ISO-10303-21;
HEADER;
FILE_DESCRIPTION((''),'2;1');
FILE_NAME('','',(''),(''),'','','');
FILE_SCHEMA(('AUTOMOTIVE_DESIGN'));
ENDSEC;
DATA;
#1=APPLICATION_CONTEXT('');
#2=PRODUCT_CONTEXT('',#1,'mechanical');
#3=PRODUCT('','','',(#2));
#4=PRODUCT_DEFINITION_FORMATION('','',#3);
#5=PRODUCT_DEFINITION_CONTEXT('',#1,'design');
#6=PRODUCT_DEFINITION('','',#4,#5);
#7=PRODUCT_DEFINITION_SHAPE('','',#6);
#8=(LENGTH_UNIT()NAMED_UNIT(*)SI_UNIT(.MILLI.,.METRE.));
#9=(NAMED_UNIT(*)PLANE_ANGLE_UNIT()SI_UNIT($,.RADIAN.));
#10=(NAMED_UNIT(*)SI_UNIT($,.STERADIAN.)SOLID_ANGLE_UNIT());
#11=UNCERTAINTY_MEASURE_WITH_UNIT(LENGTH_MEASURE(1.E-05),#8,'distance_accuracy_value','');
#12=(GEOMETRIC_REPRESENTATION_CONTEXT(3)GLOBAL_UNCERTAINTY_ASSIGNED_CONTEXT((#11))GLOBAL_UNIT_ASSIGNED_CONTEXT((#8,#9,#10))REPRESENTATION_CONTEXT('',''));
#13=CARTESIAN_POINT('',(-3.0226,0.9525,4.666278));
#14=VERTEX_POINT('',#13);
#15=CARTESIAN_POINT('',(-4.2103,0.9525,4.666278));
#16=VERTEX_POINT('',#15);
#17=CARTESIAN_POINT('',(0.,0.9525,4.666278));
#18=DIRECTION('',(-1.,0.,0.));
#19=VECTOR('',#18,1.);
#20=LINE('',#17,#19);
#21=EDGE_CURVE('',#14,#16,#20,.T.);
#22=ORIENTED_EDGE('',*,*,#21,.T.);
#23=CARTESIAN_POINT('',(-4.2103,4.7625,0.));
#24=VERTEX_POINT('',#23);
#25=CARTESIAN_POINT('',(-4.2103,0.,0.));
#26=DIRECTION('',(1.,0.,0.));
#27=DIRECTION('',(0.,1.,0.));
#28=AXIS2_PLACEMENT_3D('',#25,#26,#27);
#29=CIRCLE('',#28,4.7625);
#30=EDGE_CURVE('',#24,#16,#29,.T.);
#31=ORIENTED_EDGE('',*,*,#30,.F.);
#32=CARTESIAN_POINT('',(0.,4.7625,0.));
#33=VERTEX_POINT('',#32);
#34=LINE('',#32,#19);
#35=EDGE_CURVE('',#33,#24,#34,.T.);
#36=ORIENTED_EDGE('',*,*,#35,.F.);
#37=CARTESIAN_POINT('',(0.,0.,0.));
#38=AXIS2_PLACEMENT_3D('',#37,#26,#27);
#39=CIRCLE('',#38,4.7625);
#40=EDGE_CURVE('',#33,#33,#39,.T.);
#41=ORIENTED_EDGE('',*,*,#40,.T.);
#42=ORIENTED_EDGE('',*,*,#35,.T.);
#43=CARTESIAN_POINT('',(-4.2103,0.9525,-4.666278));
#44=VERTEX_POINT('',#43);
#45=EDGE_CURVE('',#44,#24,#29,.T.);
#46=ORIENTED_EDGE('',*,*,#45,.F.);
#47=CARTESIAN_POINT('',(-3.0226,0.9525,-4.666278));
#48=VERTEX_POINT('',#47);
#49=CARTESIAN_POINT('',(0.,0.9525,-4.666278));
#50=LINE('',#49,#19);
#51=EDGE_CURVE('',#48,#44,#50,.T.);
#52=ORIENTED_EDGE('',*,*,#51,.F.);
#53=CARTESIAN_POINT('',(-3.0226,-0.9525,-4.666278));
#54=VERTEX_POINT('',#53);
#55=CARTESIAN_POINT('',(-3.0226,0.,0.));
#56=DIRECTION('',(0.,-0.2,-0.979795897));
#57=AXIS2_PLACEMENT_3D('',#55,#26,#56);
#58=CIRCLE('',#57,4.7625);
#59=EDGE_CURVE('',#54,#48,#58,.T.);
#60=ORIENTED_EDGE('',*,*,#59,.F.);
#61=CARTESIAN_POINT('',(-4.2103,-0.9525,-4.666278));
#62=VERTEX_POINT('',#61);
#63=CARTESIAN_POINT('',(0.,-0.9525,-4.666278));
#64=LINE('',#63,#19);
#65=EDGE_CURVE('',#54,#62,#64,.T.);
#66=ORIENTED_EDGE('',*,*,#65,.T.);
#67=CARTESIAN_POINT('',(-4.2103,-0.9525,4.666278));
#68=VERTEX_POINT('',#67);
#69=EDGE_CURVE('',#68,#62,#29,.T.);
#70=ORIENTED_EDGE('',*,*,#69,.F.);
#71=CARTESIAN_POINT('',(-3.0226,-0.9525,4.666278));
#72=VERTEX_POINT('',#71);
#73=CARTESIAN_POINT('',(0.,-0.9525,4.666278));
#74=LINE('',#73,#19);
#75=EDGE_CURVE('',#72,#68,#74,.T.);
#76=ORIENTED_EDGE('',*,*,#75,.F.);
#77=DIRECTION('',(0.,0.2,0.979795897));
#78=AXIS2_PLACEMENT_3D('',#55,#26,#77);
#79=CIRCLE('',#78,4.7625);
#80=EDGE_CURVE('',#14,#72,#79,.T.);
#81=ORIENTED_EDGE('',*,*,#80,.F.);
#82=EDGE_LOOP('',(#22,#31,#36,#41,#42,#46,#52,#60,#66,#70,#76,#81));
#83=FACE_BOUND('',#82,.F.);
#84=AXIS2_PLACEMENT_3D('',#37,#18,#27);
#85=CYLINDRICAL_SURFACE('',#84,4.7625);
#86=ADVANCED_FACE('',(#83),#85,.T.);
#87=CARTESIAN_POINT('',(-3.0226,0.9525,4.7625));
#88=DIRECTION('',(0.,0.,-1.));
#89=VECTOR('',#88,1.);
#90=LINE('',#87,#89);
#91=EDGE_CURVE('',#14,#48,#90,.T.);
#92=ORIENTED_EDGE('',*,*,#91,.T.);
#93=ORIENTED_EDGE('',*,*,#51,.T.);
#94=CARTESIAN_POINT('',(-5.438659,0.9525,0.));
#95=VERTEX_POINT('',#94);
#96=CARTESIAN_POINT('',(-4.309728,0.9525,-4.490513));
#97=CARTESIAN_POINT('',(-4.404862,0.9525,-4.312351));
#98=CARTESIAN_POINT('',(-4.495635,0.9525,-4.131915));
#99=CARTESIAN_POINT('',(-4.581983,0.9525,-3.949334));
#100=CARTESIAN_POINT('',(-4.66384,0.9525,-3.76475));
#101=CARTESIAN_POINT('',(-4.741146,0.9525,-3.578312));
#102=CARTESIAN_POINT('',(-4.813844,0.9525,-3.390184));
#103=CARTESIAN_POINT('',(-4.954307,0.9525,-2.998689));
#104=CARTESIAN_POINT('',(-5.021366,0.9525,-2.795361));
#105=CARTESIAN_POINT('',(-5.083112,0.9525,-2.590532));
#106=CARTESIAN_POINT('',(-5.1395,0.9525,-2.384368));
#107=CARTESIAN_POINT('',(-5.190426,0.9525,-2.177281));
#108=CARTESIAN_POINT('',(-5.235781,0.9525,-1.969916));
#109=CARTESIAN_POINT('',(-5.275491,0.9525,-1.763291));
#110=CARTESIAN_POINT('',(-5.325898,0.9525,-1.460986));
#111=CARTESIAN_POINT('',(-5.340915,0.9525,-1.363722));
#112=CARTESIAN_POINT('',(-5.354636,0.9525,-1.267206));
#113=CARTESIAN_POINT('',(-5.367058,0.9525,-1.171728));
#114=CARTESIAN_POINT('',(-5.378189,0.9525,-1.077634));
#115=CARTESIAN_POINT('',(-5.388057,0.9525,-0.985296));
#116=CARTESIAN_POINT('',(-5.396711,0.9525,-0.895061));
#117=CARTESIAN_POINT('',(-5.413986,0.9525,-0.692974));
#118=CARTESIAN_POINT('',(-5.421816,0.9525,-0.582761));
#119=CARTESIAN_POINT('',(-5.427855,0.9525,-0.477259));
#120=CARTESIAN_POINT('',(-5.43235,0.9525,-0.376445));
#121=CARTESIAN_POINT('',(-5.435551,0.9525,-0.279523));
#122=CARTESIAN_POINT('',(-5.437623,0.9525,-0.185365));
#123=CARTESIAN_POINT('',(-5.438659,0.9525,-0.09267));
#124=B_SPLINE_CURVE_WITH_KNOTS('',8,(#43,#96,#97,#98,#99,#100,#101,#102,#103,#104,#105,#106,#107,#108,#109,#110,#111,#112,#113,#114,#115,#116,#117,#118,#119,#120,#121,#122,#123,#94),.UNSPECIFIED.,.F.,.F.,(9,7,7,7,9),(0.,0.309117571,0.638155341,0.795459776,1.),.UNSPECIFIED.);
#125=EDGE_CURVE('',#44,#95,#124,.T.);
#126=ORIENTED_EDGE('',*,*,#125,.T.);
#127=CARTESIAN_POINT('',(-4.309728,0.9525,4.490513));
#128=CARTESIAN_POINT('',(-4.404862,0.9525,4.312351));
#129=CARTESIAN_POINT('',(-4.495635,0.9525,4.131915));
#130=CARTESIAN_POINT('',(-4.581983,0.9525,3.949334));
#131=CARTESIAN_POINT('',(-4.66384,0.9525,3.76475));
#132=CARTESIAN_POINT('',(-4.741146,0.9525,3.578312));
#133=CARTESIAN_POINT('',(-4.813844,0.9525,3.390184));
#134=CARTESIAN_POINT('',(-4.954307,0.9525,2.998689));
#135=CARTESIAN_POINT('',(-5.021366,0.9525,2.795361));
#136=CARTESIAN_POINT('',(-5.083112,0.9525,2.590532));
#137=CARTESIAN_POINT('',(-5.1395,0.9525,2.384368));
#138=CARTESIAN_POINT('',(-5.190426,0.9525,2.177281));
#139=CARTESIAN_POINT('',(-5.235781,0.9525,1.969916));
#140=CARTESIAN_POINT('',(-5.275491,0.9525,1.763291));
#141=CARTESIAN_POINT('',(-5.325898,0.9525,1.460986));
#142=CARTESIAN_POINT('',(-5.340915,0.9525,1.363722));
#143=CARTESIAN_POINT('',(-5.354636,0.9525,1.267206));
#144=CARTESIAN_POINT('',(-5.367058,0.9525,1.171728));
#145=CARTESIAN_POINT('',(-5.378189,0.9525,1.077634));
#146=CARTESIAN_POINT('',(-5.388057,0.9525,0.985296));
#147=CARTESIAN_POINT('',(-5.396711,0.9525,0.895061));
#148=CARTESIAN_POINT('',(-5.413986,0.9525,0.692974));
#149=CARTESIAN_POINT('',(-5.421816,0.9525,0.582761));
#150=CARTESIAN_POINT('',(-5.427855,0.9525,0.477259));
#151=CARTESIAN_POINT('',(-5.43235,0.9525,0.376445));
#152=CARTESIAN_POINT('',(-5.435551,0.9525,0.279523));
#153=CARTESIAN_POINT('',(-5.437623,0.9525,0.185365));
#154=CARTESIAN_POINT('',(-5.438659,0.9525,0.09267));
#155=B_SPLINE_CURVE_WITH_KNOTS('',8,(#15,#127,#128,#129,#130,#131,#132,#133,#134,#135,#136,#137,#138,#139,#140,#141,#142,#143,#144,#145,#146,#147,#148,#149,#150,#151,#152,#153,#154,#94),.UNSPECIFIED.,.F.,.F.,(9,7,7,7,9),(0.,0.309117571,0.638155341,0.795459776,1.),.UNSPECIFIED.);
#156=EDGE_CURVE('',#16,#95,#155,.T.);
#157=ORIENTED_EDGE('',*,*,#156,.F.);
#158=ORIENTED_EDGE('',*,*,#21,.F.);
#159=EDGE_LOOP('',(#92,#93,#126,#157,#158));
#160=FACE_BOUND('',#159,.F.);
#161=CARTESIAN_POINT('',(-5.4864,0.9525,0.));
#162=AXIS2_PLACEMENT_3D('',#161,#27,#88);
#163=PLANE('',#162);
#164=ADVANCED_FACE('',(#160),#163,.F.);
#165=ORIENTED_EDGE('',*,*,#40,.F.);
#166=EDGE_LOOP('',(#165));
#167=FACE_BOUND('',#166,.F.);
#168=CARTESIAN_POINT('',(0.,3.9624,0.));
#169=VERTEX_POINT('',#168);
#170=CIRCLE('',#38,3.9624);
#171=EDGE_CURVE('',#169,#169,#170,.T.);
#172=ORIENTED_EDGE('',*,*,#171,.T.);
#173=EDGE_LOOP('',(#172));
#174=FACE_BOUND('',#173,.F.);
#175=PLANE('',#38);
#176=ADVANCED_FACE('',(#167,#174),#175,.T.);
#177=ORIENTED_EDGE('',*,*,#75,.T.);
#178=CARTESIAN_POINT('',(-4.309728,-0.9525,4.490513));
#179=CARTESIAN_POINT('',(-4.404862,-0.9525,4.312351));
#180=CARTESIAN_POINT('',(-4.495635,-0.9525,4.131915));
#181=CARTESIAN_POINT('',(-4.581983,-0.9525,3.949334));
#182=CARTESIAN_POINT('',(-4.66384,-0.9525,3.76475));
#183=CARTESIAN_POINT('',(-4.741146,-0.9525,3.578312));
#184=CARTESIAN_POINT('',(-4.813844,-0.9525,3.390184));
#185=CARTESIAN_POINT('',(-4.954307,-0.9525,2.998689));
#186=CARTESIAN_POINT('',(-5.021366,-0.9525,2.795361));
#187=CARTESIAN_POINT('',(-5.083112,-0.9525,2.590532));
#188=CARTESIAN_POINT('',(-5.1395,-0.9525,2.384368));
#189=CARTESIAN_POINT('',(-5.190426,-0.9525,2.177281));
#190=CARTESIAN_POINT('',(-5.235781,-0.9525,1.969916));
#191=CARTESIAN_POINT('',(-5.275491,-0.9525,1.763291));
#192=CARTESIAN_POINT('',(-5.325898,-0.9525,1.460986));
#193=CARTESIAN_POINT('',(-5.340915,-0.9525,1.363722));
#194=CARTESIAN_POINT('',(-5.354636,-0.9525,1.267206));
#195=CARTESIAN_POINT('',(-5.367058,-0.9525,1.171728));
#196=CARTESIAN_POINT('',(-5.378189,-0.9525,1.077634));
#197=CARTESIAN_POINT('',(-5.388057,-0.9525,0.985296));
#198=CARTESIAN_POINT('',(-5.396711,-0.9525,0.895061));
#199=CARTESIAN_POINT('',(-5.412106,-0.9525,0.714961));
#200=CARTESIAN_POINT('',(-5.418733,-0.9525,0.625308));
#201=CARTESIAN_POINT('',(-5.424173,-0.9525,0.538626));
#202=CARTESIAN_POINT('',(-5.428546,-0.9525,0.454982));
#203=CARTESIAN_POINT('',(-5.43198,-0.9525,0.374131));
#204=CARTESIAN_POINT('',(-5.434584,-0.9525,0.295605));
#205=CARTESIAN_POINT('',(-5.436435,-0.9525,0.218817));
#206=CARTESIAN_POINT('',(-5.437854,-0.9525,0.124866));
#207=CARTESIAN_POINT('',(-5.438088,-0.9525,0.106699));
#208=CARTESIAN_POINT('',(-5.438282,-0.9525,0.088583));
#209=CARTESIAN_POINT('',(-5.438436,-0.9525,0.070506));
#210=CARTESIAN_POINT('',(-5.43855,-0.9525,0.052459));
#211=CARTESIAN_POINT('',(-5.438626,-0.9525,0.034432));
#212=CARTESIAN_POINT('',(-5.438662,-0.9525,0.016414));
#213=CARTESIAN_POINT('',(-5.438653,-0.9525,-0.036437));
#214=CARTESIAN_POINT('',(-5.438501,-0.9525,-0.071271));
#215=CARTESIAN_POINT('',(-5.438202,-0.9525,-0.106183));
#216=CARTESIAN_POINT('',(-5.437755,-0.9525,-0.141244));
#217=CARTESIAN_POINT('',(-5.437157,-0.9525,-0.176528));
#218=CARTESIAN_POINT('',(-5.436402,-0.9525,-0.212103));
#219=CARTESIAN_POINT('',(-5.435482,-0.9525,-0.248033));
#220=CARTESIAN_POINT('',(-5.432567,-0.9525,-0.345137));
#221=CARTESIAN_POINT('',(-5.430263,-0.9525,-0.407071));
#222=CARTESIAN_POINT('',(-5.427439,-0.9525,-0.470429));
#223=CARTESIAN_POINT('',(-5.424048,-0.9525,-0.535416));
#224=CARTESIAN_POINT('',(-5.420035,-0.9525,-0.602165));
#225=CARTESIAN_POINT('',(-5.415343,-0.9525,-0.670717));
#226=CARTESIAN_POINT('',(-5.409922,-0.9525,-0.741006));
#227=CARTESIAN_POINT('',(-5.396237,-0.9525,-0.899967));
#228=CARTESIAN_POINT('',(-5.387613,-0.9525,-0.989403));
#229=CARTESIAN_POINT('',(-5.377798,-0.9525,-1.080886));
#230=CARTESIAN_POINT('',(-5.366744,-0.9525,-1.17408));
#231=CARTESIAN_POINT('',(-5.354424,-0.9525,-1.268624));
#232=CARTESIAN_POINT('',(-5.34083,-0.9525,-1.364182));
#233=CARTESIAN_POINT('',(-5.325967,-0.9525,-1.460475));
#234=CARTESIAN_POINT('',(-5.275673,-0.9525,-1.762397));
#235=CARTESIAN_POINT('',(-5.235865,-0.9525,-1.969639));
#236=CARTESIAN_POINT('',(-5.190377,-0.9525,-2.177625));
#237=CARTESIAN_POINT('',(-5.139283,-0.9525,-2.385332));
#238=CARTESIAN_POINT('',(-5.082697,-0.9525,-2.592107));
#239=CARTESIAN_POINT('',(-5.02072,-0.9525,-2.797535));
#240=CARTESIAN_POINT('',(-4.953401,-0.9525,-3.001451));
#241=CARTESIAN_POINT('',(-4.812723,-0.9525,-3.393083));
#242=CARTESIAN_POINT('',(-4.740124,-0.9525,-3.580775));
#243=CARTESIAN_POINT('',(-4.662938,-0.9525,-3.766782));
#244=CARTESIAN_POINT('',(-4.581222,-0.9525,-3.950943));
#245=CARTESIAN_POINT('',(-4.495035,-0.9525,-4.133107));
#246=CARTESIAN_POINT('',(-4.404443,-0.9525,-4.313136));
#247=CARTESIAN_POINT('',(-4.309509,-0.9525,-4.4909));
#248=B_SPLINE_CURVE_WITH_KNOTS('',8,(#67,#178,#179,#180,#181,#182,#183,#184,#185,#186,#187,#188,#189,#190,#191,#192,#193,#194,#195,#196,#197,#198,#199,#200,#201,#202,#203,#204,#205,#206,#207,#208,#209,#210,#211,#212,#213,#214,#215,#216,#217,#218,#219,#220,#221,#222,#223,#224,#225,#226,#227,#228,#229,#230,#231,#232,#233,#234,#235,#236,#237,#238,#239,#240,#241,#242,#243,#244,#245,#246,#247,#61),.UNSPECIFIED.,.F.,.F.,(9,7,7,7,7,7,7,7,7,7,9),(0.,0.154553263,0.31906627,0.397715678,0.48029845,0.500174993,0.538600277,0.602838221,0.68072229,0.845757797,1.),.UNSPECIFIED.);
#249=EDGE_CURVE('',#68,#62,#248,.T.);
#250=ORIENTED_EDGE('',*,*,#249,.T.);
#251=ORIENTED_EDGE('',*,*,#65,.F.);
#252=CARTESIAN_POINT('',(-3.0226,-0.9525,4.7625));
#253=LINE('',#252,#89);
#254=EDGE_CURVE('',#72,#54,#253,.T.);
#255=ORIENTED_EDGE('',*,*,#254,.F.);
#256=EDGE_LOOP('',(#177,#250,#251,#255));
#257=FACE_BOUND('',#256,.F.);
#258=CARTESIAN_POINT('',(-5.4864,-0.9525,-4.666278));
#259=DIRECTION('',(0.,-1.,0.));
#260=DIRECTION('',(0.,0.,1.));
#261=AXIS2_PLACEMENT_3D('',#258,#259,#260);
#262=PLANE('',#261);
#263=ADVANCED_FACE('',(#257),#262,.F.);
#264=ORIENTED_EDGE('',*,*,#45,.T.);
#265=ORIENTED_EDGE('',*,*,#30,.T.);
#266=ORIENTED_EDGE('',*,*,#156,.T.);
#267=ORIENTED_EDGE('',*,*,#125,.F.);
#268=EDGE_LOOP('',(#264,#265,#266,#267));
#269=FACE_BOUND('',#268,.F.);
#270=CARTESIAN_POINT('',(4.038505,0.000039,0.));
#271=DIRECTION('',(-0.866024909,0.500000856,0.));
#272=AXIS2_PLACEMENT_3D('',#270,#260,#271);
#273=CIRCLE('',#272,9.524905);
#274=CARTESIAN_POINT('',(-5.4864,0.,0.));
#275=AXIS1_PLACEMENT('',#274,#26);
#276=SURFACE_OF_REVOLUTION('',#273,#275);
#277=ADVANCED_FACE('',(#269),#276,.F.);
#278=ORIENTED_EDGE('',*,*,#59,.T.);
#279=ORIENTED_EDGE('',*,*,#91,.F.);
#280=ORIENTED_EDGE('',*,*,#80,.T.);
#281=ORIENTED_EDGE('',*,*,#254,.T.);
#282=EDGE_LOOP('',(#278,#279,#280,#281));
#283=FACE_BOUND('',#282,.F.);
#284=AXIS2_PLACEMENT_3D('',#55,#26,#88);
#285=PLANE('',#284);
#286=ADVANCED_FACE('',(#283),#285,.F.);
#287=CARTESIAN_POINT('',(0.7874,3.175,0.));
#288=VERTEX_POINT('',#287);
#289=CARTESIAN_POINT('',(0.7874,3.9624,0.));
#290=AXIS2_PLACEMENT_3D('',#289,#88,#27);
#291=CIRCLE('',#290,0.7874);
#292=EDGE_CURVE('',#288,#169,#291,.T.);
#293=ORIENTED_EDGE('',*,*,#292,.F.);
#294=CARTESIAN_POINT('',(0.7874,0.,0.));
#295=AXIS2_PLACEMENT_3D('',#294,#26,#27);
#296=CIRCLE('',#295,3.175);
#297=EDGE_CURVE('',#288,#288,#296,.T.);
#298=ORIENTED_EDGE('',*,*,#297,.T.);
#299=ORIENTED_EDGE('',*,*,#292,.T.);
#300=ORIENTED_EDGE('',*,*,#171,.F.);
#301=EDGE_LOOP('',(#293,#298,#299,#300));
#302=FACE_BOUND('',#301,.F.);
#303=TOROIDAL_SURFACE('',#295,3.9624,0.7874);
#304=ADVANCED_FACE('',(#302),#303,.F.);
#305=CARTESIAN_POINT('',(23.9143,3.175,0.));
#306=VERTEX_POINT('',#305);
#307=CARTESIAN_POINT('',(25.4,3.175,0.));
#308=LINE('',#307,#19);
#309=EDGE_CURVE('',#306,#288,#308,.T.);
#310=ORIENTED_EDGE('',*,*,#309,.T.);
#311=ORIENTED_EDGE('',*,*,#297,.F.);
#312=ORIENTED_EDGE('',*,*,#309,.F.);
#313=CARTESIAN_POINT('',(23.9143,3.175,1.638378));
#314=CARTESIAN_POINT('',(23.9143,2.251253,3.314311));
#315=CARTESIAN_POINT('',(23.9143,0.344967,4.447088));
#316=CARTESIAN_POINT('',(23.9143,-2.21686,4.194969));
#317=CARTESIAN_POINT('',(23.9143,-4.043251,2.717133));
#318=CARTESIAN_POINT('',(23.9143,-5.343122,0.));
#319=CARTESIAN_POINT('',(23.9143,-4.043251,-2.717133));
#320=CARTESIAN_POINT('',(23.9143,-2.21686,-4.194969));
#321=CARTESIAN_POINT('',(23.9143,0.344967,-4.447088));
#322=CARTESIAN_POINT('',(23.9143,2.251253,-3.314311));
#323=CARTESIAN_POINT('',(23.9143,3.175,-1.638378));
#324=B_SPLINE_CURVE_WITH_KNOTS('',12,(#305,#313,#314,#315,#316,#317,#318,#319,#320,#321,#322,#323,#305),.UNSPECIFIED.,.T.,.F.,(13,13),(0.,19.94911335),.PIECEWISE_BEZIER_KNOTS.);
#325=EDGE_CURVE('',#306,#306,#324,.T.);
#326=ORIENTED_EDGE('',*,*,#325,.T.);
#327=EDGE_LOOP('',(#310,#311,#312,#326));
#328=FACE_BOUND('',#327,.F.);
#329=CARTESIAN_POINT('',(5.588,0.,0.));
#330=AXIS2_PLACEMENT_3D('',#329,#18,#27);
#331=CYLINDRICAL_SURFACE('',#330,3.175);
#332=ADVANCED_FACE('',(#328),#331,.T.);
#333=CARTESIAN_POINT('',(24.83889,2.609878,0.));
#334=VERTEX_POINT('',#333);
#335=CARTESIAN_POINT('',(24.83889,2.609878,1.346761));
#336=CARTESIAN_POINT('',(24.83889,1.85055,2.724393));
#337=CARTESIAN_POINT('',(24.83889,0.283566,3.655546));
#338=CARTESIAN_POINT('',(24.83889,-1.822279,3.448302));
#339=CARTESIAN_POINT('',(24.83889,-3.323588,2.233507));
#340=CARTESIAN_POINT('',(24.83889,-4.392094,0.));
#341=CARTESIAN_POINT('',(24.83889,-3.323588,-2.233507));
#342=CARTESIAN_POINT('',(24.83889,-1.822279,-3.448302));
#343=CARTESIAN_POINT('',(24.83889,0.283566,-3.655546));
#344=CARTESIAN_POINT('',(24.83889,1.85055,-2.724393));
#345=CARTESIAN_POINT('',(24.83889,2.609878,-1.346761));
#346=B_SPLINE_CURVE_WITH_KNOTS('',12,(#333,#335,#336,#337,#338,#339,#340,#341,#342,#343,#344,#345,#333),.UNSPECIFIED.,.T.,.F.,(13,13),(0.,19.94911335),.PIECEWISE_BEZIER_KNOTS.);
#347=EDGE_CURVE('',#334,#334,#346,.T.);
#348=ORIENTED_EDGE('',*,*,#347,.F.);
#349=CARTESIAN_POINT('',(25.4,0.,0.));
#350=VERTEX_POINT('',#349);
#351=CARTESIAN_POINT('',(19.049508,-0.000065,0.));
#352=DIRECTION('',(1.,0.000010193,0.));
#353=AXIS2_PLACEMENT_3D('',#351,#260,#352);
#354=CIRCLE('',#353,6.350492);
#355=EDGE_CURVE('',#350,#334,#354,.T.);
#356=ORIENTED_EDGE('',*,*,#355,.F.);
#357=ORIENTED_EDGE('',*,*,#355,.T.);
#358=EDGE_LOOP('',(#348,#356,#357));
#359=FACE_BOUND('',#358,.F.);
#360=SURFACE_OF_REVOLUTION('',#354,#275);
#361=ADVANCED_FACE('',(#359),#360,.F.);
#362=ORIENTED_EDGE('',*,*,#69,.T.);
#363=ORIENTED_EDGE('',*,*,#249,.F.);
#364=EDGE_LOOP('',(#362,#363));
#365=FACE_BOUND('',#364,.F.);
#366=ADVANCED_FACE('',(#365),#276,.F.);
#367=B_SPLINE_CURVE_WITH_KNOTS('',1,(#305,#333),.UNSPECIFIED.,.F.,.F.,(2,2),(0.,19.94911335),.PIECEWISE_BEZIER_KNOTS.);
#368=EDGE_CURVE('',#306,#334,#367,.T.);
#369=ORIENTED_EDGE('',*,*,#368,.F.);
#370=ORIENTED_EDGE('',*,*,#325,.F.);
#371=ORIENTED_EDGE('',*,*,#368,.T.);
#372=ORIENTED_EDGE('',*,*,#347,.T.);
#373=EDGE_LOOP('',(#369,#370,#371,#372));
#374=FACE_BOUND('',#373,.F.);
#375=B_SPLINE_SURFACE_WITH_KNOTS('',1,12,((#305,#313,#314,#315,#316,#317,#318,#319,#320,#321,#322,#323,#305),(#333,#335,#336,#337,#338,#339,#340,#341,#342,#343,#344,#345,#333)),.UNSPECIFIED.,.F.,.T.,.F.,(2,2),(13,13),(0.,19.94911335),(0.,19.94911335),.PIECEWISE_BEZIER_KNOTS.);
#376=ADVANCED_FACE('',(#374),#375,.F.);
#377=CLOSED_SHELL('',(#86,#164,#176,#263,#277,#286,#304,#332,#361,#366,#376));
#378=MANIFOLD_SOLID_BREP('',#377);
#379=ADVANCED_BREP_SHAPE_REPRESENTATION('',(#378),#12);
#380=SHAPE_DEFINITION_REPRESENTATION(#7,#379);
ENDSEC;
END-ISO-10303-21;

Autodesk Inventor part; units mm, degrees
ref_plane "YZ Plane" through (0, 0, 0) normal (1, 0, 0) x (0, 1, 0)
sketch "Szkic1" plane through (0, 0, 0) normal (0, 0, 1) x (1, 0, 0)
  line L0 (-5.4864, 0) -> (25.4, 0)
  line L1 (25.4, 0) -> (25.4, 3.175)
  line L2 (25.4, 3.175) -> (6.35, 3.175)
  line L3 (6.35, 3.175) -> (5.588, 3.175)
  line L4 (5.588, 3.175) -> (0, 3.175)
  line L5 (0, 3.175) -> (0, 4.7625)
  line L6 (-12.0399, 0) -> (31.64, 0) projected
  line L7 (0, -0.9693) -> (0, 5.8158) projected
  line L8 (0, 4.7625) -> (-4.2103, 4.7625)
  arc A0 (-4.2103, 4.7625) -> (-5.4864, 0) centre (4.0386, 0) ccw
  line L9 (6.35, 3.175) -> (0, 3.175) construction
  dimension "d0" = 25.4
  dimension "d1" = 19.05
  dimension "d2" = 0.762
  dimension "d3" = 5.4864
  dimension "d4" = 6.35
  dimension "d5" = 6.35
  dimension "d9" = 9.525
  dimension "d10" = 0
  dimension "d13" = 9.525
revolve "Bryła" add sketch "Szkic1" angle 360 about axis through (-5.4864, 0, 0) along (1, 0, 0)
ref_plane "IDS_WORKPLANE{1}" through (-5.4864, 0, 0) normal (1, 0, 0) x (0, 0, -1)
sketch "Szkic2" plane through (-5.4864, 0, 0) normal (1, 0, 0) x (0, 0, -1)
  circle A0 centre (0, 0) radius 4.7625 projected
  line L0 (0, -6.6675) -> (0, 6.6675) projected
  line L1 (6.6675, 0) -> (-6.6675, 0) projected
  line L2 (-4.7625, 0.9525) -> (4.7625, 0.9525)
  line L3 (4.7625, 0.9525) -> (4.7625, -0.9525)
  line L4 (4.7625, -0.9525) -> (-4.7625, -0.9525)
  line L5 (-4.7625, -0.9525) -> (-4.7625, 0.9525)
  line L6 (-4.7625, 0) -> (4.7625, 0) construction
  line L7 (0, 0.9525) -> (0, -0.9525) construction
  dimension "d15" = 1.905
extrude "Szczelina" cut sketch "Szkic2" along normal blind 2.4638 contours L1 L0 L2 A0 | L3 L4 A0 | A0 L4 L0 L1 | A0 L2 L3 | L1 A0 L2 L0 | L0 L4 A0 L1 | L5 L2 A0 | A0 L4 L5
thread "Gwint" size "1/4-20 UNC" class "2A" standard "ANSI Unified Screw Threads" length 19.05
sketch "Szkic3" plane through (0, 0, 0) normal (0, 0, 1) x (1, 0, 0)
  line L0 (25.4, 0) -> (25.4, 3.175) projected
  line L1 (25.4, 3.175) -> (6.35, 3.175) projected
  line L2 (-5.4864, 0) -> (25.4, 0) projected
  arc A0 (25.4, 0) -> (24.5493, 3.175) centre (19.05, 0) ccw
  line L3 (25.4, -3.175) -> (25.4, 3.175) projected
  line L4 (24.5493, 3.175) -> (24.5493, 0)
  line L5 (24.5493, 0) -> (25.4, 0)
  dimension "d40" = 6.35
revolve "Zaokrąglenie1" cut sketch "Szkic3" angle 360 about axis through (-5.4864, 0, 0) along (1, 0, 0) contours A0 L1 L0
chamfer "Faza" distance 0.635 angle 45 1 edges at (24.5493, -3.175, 0)
ref_plane "Work Plane2" through (41.275, 0, 0) normal (0, 0, -1) x (1, 0, 0)
fillet "Zaokrąglenie4" radius 0.7874 1 edges at (0, -3.175, 0)
equation "\"d0\" = NLG"
equation "\"d1\" = GEL"
equation "\"d2\" = GAL"
equation "\"d3\" = KOH"
equation "\"d4\" = GD"
equation "\"d5\" = BDM"
equation "\"d9\" = KOD"
equation "\"d13\" = KR"
equation "\"d15\" = SBR"
equation "\"d16\" = STI"
equation "\"d40\" = GD"
equation "\"d11\" = GEL"
equation "\"d43\" = 0.5 * RR"
equation "\"d46\" = R"
equation "\"GD\" = NND"
equation "\"NLG\" = 25.4"
equation "\"GEL\" = 19.05"
equation "\"KOD\" = 9.525"
equation "\"KOH\" = 5.4864"
equation "\"GAL\" = 0.762"
equation "\"BDM\" = NND"
equation "\"SBR\" = 1.905"
equation "\"STI\" = 2.4638"
equation "\"KEWI\" = 0"
equation "\"KR\" = KOD"
equation "\"d14\" = -KOH"
equation "\"R\" = 0.7874"
equation "\"THREADDIA\" = 6.35"
equation "\"TOA\" = 30deg"
equation "\"KOH1\" = 4.3688"
equation "\"NND\" = 6.35"
equation "\"GD1\" = 4.8387"
equation "\"THREADDESC\" = 1.2345"
equation "\"RR\" = 1.27"
properties part number "ANSI B18.6.2 - 1/4-20 UNC - 1" material "Stal, miękka"
